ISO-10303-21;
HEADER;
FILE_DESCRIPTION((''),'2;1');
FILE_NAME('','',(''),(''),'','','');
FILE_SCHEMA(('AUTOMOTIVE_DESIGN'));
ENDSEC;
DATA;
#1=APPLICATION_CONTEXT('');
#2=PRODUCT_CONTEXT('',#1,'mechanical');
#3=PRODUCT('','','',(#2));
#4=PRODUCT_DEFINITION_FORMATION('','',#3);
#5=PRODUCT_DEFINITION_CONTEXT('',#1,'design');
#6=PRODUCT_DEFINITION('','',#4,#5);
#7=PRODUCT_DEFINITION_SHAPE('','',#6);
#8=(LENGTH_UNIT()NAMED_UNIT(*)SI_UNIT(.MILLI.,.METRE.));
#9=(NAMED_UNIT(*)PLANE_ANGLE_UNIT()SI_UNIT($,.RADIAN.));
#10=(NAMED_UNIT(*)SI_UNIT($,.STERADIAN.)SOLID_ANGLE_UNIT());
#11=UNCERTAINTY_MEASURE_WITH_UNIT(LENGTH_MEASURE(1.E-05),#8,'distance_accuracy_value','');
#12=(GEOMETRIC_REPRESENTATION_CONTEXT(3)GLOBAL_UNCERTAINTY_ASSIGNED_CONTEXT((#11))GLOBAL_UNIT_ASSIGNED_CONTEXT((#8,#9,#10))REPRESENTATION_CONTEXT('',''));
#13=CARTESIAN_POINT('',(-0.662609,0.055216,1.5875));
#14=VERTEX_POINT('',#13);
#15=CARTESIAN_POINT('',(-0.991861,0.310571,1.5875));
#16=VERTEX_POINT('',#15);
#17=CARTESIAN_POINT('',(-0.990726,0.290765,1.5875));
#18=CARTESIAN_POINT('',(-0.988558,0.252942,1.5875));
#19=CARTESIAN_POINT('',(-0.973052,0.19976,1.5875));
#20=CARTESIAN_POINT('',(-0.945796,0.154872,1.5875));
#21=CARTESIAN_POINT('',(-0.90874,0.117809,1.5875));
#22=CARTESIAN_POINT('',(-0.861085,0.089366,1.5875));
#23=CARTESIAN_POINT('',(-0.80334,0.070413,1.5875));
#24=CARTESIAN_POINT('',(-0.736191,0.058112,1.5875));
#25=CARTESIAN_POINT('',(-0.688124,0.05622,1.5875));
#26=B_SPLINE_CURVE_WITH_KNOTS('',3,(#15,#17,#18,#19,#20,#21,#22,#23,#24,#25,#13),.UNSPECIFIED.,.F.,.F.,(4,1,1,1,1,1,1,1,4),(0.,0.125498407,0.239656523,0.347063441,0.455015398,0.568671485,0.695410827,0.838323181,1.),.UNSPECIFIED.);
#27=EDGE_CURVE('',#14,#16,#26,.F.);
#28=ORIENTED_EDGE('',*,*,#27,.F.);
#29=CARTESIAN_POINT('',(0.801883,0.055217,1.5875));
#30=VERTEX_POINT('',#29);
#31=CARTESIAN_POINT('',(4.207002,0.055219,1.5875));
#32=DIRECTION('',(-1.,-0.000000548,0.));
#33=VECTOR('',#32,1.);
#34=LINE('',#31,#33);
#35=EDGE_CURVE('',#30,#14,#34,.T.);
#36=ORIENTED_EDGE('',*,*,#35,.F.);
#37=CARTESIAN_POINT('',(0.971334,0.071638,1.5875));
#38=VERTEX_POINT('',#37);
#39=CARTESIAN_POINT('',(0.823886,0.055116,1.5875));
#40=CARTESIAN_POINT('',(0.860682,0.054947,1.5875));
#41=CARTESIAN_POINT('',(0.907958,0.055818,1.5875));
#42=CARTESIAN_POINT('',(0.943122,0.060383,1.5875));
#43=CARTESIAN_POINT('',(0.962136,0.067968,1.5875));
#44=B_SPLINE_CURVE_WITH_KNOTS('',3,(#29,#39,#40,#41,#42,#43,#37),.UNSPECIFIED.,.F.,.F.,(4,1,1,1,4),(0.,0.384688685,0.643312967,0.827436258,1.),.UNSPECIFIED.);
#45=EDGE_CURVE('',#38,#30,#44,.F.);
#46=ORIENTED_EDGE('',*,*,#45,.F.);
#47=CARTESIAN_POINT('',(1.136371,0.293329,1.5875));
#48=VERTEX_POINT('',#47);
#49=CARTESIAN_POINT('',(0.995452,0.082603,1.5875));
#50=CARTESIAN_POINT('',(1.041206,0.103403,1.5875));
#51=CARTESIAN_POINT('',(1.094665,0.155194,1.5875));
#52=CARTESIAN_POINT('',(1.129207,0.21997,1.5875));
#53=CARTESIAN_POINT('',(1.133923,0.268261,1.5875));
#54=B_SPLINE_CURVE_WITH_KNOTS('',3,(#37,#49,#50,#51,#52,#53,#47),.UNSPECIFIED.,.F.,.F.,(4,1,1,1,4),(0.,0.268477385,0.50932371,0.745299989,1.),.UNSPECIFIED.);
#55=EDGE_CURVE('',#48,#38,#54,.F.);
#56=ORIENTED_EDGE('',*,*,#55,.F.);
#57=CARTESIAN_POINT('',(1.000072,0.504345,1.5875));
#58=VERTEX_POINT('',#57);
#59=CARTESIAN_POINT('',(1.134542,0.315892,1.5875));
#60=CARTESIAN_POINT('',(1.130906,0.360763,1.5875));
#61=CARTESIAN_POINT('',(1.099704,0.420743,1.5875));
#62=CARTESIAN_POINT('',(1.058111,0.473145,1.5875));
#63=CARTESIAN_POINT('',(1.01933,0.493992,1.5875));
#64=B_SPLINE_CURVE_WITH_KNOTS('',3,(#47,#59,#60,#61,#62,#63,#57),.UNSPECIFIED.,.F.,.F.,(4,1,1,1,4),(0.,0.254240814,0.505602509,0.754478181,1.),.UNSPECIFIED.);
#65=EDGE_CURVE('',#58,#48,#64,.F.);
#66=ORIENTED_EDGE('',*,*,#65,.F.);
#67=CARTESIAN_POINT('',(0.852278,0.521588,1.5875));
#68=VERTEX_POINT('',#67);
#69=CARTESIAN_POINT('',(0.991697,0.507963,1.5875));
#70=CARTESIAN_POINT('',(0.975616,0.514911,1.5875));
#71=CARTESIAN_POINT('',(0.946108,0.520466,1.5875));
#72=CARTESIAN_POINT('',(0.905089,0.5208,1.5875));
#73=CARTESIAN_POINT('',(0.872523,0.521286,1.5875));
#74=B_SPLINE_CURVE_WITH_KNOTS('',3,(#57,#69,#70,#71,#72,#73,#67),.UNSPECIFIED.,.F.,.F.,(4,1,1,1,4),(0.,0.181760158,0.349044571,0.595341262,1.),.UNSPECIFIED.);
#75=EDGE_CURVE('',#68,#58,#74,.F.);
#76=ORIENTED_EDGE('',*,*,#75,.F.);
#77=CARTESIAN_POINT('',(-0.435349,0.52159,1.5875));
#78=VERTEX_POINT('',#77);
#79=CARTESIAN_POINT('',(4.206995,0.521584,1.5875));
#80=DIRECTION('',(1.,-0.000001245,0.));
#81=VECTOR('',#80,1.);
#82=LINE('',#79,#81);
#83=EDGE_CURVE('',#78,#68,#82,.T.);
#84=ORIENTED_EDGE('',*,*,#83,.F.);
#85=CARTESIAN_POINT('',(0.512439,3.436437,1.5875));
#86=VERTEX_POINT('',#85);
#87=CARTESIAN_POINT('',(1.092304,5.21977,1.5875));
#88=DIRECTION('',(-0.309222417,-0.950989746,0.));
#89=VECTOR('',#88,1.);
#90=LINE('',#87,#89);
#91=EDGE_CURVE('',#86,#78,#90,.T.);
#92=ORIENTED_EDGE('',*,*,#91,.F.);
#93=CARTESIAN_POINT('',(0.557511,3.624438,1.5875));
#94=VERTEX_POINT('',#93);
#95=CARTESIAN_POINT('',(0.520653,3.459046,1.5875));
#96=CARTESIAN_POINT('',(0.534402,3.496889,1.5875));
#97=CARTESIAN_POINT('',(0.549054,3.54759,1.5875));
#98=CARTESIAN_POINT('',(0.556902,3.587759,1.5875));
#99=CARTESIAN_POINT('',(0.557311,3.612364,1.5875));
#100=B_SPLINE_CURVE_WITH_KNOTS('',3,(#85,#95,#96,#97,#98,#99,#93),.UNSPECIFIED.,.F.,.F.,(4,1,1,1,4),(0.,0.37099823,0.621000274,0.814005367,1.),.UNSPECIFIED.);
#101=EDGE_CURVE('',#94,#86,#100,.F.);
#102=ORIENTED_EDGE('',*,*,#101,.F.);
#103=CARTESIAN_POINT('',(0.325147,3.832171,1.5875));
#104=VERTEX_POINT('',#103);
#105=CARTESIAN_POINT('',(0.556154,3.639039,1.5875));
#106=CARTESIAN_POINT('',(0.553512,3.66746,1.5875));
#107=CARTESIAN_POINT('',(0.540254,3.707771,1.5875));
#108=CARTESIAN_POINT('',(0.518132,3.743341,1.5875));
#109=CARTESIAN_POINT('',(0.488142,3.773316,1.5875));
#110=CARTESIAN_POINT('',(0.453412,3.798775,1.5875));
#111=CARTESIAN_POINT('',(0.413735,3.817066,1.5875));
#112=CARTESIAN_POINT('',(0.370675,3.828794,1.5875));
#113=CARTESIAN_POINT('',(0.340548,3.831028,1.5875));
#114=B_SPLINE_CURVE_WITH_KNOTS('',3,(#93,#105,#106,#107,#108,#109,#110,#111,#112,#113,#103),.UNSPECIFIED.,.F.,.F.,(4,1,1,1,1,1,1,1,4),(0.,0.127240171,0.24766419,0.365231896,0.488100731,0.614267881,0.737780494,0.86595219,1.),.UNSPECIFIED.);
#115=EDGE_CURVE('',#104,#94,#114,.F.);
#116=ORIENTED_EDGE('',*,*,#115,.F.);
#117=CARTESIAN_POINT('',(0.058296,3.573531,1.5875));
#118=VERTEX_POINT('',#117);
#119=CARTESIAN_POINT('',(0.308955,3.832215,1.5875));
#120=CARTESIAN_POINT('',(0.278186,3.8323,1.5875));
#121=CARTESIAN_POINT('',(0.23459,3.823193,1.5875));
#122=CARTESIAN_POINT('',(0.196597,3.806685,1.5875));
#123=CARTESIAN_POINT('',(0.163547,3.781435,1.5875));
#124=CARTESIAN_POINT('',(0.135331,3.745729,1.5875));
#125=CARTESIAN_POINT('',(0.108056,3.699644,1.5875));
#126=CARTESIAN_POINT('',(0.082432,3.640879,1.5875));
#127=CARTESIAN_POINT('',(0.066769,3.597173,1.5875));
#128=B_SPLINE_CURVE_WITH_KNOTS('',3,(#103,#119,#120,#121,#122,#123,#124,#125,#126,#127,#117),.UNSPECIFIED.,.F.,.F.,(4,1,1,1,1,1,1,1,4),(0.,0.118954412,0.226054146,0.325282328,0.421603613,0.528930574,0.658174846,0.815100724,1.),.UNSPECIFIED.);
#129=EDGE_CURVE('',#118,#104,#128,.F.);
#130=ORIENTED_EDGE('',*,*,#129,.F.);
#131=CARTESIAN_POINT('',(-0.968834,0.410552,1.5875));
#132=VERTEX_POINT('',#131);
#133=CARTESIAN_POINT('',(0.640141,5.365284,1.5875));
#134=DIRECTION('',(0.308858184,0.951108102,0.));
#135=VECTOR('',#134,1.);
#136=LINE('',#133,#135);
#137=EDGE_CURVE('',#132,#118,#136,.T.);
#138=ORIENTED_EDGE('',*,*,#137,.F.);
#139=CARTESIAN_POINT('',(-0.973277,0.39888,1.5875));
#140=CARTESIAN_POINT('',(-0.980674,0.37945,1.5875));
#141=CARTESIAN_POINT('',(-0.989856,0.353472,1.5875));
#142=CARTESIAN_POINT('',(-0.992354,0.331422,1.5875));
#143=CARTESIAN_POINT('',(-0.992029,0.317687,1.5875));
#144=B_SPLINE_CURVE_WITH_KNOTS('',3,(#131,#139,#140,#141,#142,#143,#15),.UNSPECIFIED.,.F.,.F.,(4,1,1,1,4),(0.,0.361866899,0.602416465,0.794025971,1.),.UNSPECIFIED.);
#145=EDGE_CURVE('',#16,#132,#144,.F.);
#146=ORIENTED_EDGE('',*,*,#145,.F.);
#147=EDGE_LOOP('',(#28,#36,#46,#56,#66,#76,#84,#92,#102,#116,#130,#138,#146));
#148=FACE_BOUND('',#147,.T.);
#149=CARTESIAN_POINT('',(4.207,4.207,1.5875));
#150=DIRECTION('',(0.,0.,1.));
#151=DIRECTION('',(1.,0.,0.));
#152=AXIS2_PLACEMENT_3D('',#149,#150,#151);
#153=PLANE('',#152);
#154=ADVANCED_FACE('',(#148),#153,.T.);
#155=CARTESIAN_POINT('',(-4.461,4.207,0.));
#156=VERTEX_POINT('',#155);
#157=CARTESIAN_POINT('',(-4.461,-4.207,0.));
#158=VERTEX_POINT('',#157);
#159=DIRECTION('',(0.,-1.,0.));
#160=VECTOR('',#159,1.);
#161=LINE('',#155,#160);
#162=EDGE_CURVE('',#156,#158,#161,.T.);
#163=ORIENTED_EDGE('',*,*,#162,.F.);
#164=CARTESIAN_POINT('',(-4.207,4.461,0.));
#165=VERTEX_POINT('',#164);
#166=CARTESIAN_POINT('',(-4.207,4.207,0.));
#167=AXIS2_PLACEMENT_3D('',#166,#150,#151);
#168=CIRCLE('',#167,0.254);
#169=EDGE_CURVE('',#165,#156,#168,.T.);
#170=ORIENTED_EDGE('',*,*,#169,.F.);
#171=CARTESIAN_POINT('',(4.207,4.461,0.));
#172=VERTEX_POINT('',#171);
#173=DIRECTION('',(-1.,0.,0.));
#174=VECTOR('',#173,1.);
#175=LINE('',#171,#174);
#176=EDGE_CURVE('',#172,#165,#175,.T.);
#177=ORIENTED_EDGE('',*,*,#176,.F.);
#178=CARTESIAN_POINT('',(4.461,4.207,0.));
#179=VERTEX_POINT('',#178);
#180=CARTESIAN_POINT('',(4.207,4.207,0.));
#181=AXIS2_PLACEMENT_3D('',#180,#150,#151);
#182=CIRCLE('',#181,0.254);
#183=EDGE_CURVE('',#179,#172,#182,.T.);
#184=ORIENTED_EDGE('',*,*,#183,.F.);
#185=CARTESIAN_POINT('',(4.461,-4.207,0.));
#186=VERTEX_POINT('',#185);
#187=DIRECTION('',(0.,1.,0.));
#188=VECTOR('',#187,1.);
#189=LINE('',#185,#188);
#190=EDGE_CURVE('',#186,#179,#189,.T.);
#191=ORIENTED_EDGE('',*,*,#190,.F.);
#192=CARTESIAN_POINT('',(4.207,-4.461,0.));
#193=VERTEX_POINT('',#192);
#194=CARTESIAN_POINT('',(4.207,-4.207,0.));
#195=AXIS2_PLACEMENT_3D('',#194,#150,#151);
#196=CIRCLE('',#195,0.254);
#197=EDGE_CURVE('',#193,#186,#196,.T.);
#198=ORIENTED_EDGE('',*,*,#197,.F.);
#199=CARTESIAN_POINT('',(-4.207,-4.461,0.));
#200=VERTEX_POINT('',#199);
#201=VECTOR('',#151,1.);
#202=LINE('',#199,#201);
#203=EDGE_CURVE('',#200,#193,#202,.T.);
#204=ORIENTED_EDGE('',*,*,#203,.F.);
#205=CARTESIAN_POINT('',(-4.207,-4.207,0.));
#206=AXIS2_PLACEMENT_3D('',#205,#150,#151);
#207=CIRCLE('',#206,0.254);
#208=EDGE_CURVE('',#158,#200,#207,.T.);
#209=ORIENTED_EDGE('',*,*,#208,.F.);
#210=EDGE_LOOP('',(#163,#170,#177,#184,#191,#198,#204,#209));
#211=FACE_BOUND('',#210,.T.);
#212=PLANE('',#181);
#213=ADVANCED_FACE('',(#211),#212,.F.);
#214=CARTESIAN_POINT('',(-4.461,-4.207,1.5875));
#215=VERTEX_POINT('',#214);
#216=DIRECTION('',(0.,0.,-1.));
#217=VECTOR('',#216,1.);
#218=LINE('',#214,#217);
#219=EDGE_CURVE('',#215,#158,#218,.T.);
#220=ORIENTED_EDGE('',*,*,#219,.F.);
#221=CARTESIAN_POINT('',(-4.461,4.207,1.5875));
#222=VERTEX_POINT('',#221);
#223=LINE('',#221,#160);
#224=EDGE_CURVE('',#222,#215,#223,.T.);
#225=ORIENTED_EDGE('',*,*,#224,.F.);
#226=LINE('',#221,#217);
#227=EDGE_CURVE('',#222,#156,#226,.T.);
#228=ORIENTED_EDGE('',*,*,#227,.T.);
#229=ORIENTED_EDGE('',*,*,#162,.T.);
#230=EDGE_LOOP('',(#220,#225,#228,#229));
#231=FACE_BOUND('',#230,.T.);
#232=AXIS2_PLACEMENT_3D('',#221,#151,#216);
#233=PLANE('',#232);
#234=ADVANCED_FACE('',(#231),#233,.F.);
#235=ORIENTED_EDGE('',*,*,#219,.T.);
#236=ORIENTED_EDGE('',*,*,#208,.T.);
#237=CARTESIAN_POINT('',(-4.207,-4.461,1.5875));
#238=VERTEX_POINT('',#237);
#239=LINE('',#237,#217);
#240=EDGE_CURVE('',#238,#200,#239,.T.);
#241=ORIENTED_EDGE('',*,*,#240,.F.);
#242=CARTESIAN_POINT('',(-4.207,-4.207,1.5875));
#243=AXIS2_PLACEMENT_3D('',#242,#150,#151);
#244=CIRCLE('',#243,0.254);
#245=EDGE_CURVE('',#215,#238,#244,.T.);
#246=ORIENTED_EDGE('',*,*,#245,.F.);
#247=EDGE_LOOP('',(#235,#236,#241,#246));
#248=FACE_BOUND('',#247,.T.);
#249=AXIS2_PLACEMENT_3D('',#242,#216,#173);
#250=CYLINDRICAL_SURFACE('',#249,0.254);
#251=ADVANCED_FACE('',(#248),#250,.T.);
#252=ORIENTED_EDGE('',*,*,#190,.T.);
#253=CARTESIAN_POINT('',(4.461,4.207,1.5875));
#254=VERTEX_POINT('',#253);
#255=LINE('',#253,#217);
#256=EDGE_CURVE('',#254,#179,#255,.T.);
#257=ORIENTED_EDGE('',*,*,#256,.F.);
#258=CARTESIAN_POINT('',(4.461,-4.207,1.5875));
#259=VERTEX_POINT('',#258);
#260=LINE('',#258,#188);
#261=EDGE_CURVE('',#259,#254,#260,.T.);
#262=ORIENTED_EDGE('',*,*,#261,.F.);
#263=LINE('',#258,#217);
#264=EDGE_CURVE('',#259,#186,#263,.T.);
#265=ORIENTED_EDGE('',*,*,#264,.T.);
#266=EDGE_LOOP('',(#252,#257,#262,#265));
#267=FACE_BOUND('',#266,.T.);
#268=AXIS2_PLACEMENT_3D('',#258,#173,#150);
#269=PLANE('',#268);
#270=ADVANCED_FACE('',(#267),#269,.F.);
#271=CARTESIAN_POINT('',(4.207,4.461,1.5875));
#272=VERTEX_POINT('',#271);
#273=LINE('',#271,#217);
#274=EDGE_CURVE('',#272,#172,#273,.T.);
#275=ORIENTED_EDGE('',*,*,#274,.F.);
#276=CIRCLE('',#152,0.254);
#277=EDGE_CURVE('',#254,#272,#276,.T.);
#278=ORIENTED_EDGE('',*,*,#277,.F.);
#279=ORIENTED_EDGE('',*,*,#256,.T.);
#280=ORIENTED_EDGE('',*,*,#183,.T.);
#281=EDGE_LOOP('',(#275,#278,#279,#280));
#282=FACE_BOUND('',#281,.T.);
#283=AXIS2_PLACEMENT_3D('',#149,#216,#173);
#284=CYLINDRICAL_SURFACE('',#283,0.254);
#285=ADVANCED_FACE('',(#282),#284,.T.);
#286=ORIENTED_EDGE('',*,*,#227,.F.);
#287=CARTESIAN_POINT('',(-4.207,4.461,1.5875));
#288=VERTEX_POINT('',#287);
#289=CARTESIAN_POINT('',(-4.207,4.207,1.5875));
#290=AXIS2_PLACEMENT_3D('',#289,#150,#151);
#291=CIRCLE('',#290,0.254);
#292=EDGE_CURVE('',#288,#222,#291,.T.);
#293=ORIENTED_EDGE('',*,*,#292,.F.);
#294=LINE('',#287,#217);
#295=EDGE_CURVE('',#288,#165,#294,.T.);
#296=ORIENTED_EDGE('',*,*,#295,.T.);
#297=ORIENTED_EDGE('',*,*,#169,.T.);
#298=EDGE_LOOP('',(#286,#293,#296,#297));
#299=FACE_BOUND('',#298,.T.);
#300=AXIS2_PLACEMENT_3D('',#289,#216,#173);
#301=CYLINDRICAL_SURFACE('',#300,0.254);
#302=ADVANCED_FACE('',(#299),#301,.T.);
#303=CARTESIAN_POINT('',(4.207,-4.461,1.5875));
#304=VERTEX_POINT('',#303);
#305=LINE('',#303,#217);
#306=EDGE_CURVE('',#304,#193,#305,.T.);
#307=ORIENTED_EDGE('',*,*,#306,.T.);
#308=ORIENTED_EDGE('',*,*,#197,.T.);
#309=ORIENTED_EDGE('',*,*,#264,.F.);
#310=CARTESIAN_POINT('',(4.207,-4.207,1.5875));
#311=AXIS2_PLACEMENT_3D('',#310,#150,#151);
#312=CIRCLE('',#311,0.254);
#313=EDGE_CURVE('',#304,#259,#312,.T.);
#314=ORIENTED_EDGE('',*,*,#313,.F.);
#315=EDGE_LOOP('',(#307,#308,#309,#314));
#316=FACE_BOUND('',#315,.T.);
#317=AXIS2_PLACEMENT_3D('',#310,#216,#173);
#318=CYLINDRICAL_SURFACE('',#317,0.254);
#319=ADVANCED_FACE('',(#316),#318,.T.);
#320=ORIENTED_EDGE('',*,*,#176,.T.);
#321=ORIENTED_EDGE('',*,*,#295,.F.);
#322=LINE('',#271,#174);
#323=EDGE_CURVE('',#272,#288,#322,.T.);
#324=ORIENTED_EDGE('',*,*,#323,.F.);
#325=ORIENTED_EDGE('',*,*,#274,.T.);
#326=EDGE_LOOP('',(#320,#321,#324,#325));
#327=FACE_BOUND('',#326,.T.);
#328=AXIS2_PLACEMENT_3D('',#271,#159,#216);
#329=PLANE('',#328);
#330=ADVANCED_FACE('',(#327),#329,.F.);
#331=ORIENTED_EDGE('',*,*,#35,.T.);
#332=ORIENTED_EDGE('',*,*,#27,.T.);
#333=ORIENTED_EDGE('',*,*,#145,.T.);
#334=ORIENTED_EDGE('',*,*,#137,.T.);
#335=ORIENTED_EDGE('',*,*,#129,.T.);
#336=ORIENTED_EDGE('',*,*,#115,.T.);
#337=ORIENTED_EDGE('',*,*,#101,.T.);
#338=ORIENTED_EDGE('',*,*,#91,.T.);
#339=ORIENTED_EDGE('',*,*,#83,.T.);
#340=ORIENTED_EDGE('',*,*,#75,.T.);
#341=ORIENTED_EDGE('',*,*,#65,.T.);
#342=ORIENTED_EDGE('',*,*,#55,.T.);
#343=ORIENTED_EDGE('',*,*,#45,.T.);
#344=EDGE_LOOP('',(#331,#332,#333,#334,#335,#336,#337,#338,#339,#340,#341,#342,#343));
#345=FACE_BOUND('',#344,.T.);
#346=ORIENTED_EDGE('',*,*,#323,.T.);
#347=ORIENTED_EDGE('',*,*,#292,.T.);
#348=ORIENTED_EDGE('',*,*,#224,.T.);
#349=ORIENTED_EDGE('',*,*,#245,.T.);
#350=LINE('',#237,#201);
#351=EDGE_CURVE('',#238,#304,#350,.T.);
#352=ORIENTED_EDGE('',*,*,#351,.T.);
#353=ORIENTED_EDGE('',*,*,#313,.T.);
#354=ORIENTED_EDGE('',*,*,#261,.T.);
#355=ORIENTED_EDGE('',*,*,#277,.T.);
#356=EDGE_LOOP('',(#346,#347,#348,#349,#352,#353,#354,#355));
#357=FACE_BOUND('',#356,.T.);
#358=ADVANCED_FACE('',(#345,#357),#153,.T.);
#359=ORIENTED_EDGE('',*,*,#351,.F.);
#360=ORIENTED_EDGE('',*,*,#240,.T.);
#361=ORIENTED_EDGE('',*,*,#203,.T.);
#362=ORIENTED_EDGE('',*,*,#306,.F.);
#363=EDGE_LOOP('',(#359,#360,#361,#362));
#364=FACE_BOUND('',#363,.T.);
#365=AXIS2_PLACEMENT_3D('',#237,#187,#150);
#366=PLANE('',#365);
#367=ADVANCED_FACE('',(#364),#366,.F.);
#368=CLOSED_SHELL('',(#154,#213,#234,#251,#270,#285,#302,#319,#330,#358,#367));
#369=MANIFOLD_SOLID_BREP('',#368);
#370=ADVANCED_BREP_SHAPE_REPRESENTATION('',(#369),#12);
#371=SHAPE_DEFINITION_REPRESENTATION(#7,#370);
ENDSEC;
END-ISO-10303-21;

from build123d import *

# Parameters (mm, degrees)
BOSS_EXTRUDE1_DEPTH = 1.5875


with BuildPart() as part:
    # Sketch1 → Boss-Extrude1 (new body)
    with BuildSketch(Plane.XY):
        with BuildLine():
            Line((4.207, 4.461), (-4.207, 4.461))
            ThreePointArc((-4.207, 4.461), (-4.386605122, 4.386605122), (-4.461, 4.207))
            Line((-4.461, 4.207), (-4.461, -4.207))
            ThreePointArc((-4.461, -4.207), (-4.386605122, -4.386605122), (-4.207, -4.461))
            Line((-4.207, -4.461), (4.207, -4.461))
            ThreePointArc((4.207, -4.461), (4.386605122, -4.386605122), (4.461, -4.207))
            Line((4.461, -4.207), (4.461, 4.207))
            ThreePointArc((4.461, 4.207), (4.386605122, 4.386605122), (4.207, 4.461))
        make_face()
    extrude(amount=BOSS_EXTRUDE1_DEPTH)


solid = part.part
